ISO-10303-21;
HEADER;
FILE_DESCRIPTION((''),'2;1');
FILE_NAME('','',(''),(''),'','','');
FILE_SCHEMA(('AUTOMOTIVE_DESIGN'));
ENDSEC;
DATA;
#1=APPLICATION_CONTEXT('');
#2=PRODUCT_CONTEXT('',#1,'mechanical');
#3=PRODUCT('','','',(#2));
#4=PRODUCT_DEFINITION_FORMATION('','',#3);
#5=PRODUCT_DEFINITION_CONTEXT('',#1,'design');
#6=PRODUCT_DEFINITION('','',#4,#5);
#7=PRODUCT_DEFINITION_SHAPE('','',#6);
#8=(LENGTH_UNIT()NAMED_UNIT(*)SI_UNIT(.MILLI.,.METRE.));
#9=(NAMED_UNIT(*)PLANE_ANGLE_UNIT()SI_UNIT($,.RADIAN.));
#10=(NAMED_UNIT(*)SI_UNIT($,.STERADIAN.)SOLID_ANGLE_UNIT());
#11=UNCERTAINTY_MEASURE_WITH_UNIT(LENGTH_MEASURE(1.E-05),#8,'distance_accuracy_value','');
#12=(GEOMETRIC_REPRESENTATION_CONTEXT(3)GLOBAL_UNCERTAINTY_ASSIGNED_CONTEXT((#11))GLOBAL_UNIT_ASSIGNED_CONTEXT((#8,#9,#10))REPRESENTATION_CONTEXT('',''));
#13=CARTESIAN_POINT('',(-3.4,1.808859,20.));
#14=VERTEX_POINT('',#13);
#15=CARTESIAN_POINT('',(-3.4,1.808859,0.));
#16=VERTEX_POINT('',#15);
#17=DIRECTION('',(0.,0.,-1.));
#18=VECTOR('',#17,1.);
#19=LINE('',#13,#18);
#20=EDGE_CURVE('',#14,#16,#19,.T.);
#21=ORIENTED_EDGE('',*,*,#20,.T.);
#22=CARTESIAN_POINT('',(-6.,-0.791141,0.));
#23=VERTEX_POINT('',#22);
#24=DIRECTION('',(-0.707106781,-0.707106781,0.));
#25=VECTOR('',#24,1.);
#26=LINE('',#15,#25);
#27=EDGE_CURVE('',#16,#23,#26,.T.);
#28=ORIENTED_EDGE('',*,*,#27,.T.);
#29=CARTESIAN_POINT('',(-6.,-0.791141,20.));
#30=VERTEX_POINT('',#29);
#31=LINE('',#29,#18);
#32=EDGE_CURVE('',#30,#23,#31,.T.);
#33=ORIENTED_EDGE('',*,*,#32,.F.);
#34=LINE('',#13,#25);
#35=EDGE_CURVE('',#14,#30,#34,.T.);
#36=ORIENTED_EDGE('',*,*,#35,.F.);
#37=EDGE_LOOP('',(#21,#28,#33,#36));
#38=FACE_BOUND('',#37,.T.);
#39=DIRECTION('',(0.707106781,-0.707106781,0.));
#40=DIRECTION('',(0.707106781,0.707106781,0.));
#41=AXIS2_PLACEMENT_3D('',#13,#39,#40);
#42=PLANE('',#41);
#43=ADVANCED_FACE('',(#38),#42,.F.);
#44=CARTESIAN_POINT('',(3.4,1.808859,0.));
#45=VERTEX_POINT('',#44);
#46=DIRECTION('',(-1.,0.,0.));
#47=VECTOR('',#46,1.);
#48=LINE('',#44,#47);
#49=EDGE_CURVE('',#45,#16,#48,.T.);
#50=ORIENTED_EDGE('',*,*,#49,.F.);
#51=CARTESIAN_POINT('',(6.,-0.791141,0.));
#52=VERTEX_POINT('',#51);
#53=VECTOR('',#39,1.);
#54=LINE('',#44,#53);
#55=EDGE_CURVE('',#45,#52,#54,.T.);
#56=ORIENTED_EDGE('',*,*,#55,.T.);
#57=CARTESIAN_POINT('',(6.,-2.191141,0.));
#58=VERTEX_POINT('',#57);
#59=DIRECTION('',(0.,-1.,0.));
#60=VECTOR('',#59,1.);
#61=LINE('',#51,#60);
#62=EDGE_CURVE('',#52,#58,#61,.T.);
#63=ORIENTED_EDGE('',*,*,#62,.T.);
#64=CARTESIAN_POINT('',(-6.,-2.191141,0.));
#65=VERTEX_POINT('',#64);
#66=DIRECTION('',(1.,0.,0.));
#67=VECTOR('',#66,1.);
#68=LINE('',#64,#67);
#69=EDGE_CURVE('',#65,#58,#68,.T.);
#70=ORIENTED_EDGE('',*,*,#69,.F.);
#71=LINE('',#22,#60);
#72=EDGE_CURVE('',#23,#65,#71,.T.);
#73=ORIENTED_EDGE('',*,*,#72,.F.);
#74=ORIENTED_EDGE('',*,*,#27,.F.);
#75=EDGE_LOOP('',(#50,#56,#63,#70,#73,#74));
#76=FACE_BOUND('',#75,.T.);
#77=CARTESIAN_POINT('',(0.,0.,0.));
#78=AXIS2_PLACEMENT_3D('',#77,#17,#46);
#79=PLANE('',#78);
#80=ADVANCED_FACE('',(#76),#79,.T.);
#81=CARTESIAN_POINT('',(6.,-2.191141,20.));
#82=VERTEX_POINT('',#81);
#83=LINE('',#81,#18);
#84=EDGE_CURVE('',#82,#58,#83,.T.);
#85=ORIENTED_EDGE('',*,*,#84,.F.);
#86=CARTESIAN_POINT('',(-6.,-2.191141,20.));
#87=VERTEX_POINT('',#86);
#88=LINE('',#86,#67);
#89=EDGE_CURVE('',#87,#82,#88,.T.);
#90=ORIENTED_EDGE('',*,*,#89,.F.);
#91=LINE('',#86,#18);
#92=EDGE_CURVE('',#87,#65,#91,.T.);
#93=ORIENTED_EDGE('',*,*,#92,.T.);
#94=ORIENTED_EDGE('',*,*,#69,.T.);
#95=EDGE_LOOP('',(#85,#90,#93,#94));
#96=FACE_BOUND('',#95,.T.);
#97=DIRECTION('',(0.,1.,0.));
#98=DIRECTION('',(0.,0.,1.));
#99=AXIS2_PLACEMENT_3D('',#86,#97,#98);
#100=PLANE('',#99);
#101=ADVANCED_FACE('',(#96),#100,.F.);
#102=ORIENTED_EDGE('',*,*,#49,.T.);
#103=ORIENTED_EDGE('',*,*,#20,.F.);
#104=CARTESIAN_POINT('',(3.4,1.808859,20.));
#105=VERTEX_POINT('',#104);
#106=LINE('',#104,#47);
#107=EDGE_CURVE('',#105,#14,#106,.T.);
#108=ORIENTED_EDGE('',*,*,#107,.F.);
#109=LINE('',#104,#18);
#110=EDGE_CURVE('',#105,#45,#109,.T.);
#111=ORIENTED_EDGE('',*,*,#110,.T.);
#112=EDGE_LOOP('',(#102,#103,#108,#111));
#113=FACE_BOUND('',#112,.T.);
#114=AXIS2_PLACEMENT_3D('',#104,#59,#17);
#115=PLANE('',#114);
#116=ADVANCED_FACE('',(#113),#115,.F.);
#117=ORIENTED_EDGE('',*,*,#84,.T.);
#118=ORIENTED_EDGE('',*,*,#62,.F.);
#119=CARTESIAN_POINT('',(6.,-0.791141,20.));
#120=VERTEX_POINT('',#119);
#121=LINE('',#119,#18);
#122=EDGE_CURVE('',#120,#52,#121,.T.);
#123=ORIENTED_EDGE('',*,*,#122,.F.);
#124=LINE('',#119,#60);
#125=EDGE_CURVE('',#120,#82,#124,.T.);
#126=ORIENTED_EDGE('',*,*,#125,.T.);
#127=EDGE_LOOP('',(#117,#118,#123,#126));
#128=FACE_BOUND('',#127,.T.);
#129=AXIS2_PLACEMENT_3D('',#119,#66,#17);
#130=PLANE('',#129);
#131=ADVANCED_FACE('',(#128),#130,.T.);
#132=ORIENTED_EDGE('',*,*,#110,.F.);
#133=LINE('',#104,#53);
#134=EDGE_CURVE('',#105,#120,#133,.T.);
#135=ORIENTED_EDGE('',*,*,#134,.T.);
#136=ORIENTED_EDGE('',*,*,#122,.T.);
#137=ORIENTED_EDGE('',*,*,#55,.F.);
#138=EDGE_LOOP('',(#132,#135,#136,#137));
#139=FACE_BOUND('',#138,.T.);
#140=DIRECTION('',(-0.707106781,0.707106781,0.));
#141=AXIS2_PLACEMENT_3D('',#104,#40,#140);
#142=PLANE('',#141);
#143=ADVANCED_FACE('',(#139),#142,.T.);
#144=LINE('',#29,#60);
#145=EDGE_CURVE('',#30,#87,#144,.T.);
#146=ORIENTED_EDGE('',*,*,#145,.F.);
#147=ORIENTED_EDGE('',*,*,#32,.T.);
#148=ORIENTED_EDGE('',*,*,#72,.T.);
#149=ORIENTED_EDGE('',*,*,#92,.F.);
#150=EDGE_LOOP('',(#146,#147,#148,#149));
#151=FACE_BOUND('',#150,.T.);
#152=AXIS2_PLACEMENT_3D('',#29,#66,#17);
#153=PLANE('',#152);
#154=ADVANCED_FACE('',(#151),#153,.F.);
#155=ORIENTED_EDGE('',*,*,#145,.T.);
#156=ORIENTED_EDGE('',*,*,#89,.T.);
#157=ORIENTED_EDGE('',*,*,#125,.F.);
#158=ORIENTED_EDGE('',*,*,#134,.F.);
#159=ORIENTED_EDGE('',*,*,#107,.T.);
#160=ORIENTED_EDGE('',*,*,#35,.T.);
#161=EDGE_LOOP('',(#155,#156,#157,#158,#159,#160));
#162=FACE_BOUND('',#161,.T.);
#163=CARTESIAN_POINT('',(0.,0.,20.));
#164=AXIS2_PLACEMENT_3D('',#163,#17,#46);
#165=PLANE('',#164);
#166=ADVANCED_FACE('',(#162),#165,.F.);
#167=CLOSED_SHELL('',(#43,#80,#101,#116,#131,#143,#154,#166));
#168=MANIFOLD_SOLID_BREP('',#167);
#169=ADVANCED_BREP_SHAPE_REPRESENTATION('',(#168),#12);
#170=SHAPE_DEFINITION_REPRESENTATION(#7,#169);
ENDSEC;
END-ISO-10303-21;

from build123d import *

# Parameters (mm, degrees)
AUFSATZ_LINEAR_AUSTRAGEN1_DEPTH = 20


with BuildPart() as part:
    # Skizze1 → Aufsatz-Linear austragen1 (new body)
    with BuildSketch(Plane.XY):
        Polygon((3.4, 1.808858787), (-3.4, 1.808858787), (-6, -0.791141213), (-6, -2.191141213), (6, -2.191141213), (6, -0.791141213), align=None)
    extrude(amount=AUFSATZ_LINEAR_AUSTRAGEN1_DEPTH)


solid = part.part
